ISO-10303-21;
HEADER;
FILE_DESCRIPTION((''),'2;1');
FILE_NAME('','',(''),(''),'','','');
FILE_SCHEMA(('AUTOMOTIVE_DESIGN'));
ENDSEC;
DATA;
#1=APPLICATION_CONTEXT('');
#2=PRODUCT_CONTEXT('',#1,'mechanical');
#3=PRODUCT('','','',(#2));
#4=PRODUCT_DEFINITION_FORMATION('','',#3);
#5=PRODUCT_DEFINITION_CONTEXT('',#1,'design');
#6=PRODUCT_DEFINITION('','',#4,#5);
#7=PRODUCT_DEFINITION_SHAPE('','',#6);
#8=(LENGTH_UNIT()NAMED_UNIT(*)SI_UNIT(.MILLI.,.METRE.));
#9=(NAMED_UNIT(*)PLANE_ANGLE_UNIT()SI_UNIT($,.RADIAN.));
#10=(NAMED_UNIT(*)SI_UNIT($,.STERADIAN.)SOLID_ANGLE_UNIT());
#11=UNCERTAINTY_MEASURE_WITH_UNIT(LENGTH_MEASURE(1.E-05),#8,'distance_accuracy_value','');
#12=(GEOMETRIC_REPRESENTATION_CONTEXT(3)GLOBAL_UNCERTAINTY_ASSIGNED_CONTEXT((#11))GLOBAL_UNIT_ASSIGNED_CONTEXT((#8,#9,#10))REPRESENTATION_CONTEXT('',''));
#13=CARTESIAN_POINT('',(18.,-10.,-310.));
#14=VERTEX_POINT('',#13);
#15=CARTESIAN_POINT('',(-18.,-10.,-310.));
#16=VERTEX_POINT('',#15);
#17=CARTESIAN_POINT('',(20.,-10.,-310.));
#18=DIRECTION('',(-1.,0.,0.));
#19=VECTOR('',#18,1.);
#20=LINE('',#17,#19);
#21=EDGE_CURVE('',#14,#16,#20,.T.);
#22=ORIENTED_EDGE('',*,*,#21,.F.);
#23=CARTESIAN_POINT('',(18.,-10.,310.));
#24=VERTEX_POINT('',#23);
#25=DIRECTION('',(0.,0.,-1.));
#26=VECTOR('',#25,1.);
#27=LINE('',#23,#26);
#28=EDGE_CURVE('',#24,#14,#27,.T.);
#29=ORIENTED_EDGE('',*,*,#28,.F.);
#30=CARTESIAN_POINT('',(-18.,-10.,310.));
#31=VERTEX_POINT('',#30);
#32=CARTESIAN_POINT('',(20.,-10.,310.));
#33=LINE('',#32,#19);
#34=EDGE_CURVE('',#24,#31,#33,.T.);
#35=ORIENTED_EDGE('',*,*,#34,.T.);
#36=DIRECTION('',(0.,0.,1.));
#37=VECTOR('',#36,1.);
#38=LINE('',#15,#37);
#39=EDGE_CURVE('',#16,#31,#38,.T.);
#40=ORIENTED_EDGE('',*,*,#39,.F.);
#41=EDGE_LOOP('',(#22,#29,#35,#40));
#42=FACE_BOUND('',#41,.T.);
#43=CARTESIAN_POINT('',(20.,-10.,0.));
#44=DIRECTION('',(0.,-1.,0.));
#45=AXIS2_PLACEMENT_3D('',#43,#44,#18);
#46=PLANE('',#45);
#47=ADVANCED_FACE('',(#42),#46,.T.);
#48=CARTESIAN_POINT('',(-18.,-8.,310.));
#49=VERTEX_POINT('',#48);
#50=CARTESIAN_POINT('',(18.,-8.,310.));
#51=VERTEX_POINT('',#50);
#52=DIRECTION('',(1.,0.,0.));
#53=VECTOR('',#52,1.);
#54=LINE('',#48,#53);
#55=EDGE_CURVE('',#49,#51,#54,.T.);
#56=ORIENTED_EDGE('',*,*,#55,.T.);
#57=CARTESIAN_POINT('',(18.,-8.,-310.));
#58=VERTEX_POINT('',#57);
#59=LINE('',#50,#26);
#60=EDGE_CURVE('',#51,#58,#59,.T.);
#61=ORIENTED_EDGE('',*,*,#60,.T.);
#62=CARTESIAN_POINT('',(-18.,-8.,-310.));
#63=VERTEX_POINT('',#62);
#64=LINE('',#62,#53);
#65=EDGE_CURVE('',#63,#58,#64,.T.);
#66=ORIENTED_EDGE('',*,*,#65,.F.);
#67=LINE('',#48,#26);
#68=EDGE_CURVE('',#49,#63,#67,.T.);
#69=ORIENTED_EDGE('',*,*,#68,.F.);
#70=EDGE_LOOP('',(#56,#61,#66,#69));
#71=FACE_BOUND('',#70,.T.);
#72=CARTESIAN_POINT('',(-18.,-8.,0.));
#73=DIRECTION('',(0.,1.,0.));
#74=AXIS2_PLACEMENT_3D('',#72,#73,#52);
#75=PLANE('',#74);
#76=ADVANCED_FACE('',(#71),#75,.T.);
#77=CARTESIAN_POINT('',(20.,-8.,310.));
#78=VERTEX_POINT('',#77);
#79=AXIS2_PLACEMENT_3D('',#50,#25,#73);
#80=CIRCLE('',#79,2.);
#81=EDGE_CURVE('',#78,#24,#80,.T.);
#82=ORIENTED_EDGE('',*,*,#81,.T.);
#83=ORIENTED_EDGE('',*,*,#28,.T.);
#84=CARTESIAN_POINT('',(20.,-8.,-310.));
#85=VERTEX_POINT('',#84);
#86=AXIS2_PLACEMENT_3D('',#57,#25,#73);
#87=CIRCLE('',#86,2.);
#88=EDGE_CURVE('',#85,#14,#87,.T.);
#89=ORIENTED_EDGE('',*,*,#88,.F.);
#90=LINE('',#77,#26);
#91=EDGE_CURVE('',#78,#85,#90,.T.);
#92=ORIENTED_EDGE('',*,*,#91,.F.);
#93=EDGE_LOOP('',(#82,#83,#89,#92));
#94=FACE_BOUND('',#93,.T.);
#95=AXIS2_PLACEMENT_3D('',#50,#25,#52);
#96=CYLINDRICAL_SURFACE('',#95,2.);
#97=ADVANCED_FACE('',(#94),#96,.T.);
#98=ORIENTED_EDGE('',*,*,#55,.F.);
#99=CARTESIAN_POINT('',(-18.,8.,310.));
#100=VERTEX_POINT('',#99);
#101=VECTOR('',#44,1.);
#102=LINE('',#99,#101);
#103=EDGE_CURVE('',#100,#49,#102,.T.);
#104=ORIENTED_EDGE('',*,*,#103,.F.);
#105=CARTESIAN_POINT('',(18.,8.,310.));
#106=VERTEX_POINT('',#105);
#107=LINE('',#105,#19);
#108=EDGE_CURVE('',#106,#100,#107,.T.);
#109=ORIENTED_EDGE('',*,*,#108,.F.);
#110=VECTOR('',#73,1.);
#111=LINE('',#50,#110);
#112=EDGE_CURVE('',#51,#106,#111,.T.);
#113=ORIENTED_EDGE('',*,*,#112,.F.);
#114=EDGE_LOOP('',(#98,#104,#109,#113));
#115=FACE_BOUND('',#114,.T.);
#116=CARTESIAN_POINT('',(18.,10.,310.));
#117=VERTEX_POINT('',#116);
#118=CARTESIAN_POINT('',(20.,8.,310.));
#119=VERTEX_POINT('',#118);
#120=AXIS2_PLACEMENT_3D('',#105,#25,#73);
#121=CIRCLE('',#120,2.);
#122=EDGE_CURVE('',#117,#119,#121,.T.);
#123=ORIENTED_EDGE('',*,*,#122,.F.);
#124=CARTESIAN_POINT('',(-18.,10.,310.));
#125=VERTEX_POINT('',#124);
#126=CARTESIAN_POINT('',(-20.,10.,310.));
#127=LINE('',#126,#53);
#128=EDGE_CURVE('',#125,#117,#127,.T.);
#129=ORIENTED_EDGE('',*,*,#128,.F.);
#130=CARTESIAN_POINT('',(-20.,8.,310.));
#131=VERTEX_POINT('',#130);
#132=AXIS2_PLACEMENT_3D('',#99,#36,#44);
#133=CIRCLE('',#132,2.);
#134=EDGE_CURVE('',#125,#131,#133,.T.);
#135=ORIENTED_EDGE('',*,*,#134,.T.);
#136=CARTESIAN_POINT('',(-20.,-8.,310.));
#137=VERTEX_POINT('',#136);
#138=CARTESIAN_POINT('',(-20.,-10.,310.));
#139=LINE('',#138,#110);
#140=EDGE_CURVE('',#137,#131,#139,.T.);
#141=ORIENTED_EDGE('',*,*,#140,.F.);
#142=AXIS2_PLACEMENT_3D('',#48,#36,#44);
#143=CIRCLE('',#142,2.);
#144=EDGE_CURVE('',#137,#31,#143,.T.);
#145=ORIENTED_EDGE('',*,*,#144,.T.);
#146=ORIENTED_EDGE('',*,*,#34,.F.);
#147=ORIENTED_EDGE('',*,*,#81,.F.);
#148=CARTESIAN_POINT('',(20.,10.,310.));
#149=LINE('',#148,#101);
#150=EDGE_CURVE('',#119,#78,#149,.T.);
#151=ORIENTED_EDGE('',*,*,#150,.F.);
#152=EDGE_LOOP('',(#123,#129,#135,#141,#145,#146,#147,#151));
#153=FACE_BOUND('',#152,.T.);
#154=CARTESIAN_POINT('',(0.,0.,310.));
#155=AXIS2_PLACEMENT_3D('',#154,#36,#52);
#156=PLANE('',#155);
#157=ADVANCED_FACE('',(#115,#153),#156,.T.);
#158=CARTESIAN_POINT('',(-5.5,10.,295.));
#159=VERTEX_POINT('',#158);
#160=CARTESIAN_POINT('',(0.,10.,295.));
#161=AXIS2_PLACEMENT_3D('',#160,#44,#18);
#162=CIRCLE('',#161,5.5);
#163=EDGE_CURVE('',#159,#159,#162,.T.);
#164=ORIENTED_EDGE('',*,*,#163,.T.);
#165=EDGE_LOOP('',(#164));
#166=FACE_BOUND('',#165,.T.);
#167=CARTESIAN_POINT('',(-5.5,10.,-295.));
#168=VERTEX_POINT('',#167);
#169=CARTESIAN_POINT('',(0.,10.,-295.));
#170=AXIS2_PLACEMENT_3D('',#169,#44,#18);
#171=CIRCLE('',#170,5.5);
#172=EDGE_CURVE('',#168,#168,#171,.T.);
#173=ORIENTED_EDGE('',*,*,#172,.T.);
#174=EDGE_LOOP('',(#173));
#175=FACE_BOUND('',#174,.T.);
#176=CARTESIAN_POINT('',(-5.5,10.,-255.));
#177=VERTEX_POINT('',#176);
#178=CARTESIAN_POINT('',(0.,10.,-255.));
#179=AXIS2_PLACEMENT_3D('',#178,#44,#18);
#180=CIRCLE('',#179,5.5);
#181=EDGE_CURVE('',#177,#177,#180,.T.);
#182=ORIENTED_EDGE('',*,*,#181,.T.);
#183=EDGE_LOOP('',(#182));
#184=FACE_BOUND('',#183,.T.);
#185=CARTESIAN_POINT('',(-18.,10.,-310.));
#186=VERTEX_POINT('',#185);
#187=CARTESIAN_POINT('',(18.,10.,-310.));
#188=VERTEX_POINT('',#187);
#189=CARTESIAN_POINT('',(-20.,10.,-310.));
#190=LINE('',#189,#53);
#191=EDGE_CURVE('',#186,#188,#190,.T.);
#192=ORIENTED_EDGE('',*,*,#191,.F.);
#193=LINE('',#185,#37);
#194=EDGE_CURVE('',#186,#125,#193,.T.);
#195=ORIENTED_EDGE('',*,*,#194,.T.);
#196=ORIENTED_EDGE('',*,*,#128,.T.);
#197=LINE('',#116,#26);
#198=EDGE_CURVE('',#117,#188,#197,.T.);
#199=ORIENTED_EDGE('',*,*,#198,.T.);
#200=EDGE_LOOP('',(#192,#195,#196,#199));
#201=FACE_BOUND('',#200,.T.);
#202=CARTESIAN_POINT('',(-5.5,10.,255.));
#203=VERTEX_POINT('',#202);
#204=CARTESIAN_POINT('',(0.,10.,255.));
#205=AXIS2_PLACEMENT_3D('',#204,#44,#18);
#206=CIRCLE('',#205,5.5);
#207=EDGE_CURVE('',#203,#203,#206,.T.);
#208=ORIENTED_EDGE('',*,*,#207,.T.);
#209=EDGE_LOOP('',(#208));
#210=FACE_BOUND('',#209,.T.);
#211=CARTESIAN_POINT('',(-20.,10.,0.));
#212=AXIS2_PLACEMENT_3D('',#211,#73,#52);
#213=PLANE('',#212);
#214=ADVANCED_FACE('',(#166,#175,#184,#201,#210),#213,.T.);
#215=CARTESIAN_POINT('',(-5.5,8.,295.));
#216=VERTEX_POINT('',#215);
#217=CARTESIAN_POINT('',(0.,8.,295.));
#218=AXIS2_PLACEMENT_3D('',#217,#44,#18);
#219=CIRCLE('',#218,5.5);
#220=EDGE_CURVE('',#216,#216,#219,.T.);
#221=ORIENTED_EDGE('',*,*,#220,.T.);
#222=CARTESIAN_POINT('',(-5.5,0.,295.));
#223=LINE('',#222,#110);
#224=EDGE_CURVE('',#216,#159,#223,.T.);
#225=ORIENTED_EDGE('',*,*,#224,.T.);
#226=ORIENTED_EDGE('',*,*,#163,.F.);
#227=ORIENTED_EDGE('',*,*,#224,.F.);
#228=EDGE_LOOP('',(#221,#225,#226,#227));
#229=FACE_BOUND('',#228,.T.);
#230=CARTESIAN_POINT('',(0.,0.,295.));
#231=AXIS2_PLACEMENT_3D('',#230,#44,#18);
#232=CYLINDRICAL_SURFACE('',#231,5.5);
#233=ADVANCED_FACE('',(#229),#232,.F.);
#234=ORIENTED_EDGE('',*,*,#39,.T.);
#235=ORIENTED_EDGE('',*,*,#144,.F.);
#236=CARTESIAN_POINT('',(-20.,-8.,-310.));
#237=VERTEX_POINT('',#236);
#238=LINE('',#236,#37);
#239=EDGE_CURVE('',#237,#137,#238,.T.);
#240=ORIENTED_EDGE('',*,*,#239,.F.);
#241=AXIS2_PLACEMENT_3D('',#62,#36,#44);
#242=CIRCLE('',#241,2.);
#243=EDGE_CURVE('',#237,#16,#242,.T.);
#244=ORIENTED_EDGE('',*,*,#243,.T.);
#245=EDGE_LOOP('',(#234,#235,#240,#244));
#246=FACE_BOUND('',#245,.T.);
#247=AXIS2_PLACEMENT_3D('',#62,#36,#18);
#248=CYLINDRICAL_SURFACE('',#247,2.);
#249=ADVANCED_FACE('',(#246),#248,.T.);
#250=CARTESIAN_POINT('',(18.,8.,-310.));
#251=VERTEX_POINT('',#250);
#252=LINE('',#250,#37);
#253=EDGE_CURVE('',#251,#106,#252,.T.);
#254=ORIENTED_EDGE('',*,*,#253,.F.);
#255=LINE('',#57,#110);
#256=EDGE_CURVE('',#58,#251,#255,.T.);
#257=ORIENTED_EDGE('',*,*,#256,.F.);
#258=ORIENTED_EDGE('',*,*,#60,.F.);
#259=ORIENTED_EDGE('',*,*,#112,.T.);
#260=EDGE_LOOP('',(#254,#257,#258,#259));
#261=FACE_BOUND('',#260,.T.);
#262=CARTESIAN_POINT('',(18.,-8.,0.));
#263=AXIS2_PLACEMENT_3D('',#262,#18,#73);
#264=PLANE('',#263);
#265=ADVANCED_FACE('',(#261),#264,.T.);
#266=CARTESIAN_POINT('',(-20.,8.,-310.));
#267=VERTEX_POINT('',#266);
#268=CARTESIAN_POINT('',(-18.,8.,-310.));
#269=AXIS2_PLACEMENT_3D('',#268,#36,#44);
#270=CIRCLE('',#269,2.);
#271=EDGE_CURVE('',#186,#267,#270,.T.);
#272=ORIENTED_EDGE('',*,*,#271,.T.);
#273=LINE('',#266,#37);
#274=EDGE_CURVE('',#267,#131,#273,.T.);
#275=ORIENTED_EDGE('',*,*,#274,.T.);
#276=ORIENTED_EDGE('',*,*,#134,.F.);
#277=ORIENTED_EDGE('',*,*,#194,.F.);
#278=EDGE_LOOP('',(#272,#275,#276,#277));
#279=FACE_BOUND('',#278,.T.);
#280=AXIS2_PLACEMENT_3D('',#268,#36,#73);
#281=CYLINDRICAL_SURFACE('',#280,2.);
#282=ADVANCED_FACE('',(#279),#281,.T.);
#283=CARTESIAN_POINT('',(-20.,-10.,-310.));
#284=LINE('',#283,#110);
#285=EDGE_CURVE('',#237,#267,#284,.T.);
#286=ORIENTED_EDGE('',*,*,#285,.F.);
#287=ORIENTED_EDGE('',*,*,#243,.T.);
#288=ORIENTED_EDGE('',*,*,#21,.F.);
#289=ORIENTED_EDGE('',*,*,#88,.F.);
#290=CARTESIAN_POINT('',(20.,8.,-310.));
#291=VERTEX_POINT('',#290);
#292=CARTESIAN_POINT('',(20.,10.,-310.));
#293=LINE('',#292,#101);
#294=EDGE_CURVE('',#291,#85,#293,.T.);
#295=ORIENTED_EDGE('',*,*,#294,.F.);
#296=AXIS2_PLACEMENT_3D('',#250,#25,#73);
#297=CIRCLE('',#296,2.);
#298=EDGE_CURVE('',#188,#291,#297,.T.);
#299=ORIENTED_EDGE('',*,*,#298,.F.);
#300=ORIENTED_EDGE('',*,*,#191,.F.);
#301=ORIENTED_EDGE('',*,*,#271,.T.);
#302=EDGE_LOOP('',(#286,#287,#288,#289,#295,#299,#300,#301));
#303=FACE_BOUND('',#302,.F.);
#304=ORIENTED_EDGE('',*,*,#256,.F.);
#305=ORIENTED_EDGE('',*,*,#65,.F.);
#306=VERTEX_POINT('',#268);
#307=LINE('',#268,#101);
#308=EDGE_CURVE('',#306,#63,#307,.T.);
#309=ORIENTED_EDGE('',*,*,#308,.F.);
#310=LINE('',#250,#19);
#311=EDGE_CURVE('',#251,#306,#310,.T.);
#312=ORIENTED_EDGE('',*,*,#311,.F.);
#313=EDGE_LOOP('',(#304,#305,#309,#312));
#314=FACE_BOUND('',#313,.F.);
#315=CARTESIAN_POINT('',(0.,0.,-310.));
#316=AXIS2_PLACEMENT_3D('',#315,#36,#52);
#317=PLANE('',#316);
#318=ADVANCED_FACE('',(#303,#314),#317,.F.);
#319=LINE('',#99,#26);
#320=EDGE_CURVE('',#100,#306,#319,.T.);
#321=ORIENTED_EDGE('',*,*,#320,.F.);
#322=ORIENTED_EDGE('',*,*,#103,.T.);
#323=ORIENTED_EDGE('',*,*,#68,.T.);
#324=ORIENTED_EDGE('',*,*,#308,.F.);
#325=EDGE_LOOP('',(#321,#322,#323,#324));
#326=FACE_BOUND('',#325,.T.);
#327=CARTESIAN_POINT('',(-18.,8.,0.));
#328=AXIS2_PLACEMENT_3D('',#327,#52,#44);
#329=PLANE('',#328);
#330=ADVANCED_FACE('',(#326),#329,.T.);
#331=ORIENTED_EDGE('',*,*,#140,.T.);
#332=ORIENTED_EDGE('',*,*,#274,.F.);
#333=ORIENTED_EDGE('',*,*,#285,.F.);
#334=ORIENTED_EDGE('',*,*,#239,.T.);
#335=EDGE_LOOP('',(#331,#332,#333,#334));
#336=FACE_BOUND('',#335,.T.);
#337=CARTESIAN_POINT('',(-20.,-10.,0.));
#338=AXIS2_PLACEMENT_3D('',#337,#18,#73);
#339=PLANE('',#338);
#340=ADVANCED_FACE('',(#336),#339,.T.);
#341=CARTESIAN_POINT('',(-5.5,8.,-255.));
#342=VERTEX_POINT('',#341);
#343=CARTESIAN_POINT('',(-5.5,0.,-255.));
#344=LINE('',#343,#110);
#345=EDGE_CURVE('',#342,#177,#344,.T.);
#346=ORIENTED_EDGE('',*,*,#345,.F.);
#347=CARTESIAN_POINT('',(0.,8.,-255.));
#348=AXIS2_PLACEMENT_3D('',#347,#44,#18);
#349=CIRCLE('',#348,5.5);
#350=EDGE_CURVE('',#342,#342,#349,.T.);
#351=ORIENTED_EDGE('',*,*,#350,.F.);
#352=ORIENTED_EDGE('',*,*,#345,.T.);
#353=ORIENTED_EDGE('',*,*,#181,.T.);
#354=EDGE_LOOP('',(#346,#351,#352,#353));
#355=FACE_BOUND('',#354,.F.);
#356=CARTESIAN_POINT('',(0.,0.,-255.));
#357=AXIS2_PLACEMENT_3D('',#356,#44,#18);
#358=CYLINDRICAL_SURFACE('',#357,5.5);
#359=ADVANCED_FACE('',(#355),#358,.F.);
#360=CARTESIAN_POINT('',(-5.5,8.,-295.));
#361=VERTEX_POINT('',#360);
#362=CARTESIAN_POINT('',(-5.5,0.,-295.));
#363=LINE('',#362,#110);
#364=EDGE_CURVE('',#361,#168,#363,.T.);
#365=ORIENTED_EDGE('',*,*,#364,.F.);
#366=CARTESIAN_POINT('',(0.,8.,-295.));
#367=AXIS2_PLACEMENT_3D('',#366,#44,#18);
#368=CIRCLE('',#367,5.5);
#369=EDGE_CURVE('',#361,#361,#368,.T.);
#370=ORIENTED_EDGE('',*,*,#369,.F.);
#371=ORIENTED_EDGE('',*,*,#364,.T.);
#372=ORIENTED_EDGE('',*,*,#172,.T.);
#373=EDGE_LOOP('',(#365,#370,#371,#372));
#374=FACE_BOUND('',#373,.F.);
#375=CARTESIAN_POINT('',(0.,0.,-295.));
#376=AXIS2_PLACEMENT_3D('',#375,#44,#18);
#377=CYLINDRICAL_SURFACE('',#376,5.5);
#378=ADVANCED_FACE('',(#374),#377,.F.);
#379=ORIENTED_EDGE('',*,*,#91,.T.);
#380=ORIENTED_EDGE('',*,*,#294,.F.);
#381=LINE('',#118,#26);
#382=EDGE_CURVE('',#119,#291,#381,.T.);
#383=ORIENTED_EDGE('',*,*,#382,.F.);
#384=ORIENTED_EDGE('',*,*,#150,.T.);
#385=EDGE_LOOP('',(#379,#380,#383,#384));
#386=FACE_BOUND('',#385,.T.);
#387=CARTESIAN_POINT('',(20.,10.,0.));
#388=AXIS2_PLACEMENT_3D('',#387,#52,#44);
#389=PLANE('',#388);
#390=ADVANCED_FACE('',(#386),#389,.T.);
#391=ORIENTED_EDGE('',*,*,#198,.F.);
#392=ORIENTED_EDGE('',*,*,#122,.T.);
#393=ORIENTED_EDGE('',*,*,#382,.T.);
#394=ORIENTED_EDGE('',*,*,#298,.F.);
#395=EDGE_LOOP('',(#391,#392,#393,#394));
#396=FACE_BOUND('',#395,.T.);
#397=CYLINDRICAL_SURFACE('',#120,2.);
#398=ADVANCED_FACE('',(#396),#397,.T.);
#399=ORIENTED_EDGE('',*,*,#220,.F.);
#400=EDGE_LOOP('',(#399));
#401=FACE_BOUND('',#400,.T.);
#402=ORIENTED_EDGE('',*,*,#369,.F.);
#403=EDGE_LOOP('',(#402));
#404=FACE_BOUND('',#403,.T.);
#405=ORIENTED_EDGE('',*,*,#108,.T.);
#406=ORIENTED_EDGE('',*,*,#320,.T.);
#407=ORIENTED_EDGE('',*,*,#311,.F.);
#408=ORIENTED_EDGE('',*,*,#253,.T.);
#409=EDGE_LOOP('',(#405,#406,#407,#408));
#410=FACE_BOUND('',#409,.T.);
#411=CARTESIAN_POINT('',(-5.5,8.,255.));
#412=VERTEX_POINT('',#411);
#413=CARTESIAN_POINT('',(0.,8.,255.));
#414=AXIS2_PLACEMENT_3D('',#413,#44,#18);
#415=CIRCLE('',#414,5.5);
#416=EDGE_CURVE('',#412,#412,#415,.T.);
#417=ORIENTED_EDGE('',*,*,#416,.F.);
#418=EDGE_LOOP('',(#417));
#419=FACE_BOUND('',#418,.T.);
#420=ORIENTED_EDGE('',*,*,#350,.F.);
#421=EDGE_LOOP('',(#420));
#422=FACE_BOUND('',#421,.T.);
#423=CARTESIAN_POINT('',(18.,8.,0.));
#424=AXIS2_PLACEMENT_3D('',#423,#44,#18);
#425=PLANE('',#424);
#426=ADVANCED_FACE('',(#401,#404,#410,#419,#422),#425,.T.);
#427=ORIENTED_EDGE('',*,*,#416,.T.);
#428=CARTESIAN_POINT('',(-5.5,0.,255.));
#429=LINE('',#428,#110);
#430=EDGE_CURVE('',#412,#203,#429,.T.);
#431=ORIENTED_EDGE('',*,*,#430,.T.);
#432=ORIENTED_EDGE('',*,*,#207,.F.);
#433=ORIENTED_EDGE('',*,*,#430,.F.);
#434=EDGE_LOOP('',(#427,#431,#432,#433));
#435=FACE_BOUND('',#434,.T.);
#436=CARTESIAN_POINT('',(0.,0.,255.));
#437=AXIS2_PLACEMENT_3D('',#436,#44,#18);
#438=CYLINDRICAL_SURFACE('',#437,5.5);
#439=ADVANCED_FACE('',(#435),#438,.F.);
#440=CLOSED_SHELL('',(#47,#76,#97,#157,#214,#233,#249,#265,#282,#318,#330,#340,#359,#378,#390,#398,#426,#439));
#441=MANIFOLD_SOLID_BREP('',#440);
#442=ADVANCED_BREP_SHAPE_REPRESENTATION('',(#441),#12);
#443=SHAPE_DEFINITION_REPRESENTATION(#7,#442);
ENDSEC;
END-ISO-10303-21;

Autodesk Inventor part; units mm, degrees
ref_plane "YZ Plane" through (0, 0, 0) normal (1, 0, 0) x (0, 1, 0)
ref_plane "XZ Plane" through (0, 0, 0) normal (0, 1, 0) x (-1, 0, 0)
ref_plane "XY Plane" through (0, 0, 0) normal (0, 0, 1) x (1, 0, 0)
sketch "Sketch1" plane through (0, 0, 0) normal (0, 0, 1) x (1, 0, 0)
  line L0 (-20, 10) -> (20, 10)
  line L1 (20, 10) -> (20, -10)
  line L2 (20, -10) -> (-20, -10)
  line L3 (-20, -10) -> (-20, 10)
  line L4 (-20, 10) -> (20, -10) construction
  line L5 (20, 10) -> (-20, -10) construction
  line L6 (18, 8) -> (-18, 8)
  line L7 (-18, 8) -> (-18, -8)
  line L8 (-18, -8) -> (18, -8)
  line L9 (18, -8) -> (18, 8)
  point P0 (0, 0)
  dimension "d0" = 40
  dimension "d1" = 20
  dimension "d2" = 2
extrude "Extrusion1" add sketch "Sketch1" along normal mid plane 620
fillet "Fillet1" radius 2 4 edges at (-20, 10, 0) (-20, -10, 0) (20, -10, 0) (20, 10, 0)
sketch "Sketch4" plane through (0, 0, 0) normal (0, 1, 0) x (-1, 0, 0)
  circle A0 centre (0, 255) radius 5.5
  line L0 (46.2729, 0) -> (-46.2729, 0) construction
  line L1 (-18, 310) -> (18, 310) projected
  circle A1 centre (0, 295) radius 5.5
  point P0 (0, 0)
  point P1 (0, 0)
  point P2 (0, 310)
  dimension "d20" = 11
  dimension "d21" = 55
  dimension "d24" = 40
extrude "Extrusion4" cut sketch "Sketch4" along normal through all
mirror "Mirror3" about plane through (0, 0, 0) normal (0, 0, 1) of "Extrusion4"
properties part number "Short tube 3"
